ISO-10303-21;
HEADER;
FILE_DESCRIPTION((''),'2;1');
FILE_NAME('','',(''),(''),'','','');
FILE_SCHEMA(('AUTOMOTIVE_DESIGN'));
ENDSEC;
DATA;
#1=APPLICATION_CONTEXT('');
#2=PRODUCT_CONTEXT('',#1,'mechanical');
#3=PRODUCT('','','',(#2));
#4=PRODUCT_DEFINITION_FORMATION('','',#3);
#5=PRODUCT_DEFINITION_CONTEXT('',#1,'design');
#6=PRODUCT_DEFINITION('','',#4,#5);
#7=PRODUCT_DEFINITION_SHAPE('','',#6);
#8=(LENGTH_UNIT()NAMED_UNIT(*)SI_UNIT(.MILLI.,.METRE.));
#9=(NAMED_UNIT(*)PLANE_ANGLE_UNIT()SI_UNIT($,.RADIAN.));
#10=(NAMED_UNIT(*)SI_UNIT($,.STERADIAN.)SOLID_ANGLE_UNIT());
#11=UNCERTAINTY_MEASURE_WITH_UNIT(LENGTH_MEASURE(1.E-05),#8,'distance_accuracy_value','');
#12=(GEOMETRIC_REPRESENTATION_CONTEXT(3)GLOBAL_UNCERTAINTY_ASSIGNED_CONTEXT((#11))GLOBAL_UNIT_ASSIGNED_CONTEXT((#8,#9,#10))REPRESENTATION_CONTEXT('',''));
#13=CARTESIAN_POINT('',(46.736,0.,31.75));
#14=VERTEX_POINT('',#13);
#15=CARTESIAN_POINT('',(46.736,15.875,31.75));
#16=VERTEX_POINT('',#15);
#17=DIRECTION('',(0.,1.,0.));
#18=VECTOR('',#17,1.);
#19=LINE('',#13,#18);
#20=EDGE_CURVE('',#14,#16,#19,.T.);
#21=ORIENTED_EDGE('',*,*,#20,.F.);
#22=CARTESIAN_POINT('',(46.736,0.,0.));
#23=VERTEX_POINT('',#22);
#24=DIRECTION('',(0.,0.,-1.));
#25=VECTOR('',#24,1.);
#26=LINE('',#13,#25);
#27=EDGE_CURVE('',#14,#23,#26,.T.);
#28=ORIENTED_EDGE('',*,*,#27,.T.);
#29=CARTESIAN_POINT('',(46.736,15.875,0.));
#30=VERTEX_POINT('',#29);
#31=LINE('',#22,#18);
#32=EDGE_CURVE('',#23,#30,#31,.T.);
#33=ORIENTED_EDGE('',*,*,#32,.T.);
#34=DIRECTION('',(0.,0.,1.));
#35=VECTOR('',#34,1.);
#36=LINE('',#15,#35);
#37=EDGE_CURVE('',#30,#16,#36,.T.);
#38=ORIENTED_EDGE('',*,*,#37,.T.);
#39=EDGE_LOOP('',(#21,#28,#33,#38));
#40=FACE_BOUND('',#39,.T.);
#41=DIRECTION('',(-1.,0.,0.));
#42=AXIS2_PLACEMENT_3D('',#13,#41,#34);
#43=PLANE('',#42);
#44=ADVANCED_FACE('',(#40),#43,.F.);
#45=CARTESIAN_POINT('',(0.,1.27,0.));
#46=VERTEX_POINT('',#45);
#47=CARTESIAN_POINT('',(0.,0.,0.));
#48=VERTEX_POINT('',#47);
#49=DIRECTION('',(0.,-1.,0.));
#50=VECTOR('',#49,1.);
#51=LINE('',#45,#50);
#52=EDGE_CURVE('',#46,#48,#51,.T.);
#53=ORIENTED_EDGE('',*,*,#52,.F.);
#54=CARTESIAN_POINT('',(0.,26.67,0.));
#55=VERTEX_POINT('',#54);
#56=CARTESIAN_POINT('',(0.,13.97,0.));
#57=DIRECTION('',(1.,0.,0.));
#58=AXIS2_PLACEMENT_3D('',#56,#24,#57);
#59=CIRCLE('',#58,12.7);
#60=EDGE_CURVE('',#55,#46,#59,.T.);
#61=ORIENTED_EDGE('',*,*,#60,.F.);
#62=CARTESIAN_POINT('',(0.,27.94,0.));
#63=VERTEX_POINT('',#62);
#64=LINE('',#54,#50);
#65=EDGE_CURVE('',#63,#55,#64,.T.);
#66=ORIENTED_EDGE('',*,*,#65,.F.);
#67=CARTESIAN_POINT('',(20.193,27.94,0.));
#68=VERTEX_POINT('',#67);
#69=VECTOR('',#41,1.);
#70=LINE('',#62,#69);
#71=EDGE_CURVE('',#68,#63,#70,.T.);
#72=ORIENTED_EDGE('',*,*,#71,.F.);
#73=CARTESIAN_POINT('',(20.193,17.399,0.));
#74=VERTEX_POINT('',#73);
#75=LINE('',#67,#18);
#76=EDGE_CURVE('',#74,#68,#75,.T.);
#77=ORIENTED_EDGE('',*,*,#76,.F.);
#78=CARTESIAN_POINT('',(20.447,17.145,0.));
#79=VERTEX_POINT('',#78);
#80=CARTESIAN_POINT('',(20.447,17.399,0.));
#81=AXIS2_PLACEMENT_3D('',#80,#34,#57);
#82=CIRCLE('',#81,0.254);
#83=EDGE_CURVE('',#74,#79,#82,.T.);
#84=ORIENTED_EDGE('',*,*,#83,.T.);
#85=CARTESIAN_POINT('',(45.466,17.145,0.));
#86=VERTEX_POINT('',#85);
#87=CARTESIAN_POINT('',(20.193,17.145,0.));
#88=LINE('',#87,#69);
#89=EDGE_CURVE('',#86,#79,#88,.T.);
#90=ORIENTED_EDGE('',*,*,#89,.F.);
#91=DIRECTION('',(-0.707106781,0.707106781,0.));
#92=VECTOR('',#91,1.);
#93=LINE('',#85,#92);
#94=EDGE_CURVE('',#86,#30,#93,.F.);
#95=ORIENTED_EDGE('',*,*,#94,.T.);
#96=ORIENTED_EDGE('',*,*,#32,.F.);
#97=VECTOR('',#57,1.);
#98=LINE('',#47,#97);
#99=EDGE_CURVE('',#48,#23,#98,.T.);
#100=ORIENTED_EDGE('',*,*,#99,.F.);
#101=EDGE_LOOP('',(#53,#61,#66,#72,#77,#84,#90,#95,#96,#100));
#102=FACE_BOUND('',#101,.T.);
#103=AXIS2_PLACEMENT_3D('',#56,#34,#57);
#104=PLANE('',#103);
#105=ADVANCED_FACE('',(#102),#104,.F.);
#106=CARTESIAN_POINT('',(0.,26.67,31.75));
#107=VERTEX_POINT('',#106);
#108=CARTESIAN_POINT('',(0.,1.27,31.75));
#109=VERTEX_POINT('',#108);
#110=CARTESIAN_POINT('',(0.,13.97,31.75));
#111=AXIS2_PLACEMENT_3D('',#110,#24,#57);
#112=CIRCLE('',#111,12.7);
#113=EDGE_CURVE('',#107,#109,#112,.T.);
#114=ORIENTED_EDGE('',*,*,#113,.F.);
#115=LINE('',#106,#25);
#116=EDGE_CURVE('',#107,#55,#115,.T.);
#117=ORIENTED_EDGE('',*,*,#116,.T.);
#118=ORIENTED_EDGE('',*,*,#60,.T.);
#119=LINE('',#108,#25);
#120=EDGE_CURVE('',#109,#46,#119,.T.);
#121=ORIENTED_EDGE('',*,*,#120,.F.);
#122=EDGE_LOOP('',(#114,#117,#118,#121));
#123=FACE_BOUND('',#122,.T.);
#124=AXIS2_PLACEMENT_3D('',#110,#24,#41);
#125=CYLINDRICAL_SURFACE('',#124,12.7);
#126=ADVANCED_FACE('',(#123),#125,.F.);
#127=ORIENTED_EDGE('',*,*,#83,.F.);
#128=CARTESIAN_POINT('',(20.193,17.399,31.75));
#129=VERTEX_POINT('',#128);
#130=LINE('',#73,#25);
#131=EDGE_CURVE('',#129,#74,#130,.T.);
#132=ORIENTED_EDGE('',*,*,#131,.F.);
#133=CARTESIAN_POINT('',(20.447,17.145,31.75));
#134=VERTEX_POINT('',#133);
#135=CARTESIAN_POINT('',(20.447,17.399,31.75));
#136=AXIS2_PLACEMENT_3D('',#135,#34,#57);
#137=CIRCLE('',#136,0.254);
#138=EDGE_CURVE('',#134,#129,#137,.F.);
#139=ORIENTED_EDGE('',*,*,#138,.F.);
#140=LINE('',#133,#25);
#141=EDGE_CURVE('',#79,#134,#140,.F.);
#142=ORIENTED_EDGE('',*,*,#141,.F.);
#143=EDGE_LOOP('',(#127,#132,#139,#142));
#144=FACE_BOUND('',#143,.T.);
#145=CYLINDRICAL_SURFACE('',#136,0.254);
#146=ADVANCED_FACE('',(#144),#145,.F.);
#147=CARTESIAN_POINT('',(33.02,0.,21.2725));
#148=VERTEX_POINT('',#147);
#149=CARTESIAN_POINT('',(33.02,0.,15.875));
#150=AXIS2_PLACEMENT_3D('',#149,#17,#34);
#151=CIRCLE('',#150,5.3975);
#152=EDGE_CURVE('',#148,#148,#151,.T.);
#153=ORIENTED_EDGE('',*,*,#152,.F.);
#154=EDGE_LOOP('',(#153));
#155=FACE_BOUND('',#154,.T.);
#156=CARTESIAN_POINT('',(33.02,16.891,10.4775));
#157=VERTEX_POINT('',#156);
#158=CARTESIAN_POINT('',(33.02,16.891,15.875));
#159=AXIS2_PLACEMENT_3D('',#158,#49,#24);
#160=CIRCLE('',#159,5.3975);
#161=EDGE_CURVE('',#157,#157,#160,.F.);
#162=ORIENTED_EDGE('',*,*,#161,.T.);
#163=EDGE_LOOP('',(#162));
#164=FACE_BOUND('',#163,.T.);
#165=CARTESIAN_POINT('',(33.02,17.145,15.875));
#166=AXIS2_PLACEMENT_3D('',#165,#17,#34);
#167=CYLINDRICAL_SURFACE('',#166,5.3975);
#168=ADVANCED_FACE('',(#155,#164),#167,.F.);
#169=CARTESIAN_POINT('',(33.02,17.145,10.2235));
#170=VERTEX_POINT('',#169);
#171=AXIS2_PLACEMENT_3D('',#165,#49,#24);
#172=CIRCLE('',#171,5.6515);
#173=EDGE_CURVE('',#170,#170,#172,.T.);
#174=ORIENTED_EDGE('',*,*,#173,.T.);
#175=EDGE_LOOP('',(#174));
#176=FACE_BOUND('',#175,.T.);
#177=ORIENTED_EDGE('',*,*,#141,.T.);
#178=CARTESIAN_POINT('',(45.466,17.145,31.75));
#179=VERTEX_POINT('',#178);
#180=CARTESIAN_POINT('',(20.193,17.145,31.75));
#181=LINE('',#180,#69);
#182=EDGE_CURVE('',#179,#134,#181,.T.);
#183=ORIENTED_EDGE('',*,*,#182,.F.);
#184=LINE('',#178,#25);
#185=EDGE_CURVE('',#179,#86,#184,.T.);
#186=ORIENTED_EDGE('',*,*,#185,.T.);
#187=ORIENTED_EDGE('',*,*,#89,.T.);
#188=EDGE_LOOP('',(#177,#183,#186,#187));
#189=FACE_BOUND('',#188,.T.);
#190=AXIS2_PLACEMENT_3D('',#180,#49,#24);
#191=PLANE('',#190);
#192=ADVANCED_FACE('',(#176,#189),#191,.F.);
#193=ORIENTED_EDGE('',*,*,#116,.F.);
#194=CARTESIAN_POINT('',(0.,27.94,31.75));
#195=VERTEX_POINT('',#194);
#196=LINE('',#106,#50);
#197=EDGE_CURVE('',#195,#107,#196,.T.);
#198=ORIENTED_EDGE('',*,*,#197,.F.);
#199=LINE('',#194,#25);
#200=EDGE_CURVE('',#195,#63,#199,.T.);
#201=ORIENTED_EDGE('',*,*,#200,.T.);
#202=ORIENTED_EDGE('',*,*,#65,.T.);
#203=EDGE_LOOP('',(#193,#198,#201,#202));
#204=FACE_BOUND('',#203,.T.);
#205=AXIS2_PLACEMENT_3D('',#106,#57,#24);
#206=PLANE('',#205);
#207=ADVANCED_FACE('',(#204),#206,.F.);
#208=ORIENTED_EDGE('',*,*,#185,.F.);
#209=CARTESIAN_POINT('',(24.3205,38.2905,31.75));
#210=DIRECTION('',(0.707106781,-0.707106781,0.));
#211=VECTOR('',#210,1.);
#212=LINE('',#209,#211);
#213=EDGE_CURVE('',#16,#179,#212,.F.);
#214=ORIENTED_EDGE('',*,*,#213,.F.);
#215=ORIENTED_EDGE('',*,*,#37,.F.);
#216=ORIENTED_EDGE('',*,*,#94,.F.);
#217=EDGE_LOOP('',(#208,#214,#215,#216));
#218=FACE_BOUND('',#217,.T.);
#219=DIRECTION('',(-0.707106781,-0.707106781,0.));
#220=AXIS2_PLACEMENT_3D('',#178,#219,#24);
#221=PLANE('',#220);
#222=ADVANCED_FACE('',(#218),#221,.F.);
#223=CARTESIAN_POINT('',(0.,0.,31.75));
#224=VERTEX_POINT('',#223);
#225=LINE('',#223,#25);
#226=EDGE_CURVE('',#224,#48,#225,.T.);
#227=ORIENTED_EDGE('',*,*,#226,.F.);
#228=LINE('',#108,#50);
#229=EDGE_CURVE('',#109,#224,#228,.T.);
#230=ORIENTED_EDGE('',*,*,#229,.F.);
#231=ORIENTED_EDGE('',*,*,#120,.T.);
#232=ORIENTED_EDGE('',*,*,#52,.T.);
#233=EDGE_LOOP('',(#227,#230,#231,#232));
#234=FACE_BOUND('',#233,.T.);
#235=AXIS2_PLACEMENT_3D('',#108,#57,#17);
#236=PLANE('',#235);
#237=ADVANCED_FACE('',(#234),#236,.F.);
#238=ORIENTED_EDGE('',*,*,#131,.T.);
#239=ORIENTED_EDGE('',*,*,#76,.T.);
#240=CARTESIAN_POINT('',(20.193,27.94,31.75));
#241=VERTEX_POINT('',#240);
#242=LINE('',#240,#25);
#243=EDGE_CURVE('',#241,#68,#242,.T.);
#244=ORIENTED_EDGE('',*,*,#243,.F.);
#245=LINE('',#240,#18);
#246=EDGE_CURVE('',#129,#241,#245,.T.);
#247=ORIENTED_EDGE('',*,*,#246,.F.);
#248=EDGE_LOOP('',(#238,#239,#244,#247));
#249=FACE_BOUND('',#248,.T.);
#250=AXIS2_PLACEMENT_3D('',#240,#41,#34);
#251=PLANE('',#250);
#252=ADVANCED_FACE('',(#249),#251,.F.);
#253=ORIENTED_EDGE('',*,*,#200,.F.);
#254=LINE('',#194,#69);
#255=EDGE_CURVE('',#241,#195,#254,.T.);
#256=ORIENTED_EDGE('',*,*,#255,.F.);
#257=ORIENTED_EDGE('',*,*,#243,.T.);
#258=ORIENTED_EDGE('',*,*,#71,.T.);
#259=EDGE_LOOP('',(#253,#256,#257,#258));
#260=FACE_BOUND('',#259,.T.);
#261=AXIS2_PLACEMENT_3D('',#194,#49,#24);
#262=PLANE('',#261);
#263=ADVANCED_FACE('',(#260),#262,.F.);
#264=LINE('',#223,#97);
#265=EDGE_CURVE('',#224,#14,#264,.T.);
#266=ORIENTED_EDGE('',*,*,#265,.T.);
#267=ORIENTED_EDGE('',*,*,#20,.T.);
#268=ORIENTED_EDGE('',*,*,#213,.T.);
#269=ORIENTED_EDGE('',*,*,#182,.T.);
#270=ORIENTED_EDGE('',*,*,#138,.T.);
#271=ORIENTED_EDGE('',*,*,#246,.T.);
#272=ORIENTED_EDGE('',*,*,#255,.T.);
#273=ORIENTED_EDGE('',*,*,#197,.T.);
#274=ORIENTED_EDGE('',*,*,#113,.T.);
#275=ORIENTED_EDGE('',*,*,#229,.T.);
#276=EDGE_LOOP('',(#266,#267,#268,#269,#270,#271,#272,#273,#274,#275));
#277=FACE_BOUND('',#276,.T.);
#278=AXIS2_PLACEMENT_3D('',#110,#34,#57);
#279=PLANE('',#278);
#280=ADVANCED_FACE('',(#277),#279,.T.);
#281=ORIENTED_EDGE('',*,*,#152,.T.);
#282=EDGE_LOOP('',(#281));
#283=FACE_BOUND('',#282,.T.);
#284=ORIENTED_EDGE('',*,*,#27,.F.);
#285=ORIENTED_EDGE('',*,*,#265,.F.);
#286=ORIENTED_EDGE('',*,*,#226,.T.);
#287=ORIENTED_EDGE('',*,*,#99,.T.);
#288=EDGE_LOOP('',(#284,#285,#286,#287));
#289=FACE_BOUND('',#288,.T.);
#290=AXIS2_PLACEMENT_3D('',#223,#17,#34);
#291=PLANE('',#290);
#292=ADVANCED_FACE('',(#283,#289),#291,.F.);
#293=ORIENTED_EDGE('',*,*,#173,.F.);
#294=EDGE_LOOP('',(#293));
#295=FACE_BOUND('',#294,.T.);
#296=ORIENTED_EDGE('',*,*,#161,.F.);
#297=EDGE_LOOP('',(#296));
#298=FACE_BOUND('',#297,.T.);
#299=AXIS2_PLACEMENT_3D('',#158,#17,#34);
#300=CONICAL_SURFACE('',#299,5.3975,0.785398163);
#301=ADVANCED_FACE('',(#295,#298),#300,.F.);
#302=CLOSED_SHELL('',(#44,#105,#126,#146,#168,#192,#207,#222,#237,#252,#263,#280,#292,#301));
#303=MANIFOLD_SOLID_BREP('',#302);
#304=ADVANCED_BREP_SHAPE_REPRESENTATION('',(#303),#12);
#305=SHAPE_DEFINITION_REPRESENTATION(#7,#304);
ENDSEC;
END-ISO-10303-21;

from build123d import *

# Parameters (mm, degrees)
BOSS_EXTRUDE1_DEPTH      = 31.75
X_0_397_DIAMETER_HOLE1_D = 10.795
CHAMFER1_SIZE            = 1.27
CHAMFER2_SIZE            = 0.254
FILLET1_R                = 0.254


with BuildPart() as part:
    # Sketch1 → Boss-Extrude1 (new body)
    with BuildSketch(Plane.XY):
        with BuildLine():
            Line((46.736, 0), (46.736, 17.145))
            Line((46.736, 17.145), (20.193, 17.145))
            Line((20.193, 17.145), (20.193, 27.94))
            Line((20.193, 27.94), (0, 27.94))
            Line((0, 27.94), (0, 26.67))
            ThreePointArc((0, 26.67), (12.7, 13.97), (0, 1.27))
            Line((0, 1.27), (0, 0))
            Line((0, 0), (46.736, 0))
        make_face()
    extrude(amount=BOSS_EXTRUDE1_DEPTH)

    # X (0.397) Diameter Hole1 (through all)
    with Locations(Plane(origin=(0, 17.145, 0), x_dir=(1, 0, 0), z_dir=(0, 1, 0))):
        with Locations((33.02, -15.875)):
            Hole(X_0_397_DIAMETER_HOLE1_D / 2)

    # Chamfer1
    chamfer1_edges = [part.edges().sort_by_distance(p)[0] for p in [
        (46.736, 17.145, 15.875),
    ]]
    chamfer(chamfer1_edges, length=CHAMFER1_SIZE)

    # Chamfer2
    chamfer2_edges = [part.edges().sort_by_distance(p)[0] for p in [
        (38.4175, 17.145, 15.875),
    ]]
    chamfer(chamfer2_edges, length=CHAMFER2_SIZE)

    # Fillet1
    fillet1_edges = [part.edges().sort_by_distance(p)[0] for p in [
        (20.193, 17.145, 15.875),
    ]]
    fillet(fillet1_edges, radius=FILLET1_R)


solid = part.part
